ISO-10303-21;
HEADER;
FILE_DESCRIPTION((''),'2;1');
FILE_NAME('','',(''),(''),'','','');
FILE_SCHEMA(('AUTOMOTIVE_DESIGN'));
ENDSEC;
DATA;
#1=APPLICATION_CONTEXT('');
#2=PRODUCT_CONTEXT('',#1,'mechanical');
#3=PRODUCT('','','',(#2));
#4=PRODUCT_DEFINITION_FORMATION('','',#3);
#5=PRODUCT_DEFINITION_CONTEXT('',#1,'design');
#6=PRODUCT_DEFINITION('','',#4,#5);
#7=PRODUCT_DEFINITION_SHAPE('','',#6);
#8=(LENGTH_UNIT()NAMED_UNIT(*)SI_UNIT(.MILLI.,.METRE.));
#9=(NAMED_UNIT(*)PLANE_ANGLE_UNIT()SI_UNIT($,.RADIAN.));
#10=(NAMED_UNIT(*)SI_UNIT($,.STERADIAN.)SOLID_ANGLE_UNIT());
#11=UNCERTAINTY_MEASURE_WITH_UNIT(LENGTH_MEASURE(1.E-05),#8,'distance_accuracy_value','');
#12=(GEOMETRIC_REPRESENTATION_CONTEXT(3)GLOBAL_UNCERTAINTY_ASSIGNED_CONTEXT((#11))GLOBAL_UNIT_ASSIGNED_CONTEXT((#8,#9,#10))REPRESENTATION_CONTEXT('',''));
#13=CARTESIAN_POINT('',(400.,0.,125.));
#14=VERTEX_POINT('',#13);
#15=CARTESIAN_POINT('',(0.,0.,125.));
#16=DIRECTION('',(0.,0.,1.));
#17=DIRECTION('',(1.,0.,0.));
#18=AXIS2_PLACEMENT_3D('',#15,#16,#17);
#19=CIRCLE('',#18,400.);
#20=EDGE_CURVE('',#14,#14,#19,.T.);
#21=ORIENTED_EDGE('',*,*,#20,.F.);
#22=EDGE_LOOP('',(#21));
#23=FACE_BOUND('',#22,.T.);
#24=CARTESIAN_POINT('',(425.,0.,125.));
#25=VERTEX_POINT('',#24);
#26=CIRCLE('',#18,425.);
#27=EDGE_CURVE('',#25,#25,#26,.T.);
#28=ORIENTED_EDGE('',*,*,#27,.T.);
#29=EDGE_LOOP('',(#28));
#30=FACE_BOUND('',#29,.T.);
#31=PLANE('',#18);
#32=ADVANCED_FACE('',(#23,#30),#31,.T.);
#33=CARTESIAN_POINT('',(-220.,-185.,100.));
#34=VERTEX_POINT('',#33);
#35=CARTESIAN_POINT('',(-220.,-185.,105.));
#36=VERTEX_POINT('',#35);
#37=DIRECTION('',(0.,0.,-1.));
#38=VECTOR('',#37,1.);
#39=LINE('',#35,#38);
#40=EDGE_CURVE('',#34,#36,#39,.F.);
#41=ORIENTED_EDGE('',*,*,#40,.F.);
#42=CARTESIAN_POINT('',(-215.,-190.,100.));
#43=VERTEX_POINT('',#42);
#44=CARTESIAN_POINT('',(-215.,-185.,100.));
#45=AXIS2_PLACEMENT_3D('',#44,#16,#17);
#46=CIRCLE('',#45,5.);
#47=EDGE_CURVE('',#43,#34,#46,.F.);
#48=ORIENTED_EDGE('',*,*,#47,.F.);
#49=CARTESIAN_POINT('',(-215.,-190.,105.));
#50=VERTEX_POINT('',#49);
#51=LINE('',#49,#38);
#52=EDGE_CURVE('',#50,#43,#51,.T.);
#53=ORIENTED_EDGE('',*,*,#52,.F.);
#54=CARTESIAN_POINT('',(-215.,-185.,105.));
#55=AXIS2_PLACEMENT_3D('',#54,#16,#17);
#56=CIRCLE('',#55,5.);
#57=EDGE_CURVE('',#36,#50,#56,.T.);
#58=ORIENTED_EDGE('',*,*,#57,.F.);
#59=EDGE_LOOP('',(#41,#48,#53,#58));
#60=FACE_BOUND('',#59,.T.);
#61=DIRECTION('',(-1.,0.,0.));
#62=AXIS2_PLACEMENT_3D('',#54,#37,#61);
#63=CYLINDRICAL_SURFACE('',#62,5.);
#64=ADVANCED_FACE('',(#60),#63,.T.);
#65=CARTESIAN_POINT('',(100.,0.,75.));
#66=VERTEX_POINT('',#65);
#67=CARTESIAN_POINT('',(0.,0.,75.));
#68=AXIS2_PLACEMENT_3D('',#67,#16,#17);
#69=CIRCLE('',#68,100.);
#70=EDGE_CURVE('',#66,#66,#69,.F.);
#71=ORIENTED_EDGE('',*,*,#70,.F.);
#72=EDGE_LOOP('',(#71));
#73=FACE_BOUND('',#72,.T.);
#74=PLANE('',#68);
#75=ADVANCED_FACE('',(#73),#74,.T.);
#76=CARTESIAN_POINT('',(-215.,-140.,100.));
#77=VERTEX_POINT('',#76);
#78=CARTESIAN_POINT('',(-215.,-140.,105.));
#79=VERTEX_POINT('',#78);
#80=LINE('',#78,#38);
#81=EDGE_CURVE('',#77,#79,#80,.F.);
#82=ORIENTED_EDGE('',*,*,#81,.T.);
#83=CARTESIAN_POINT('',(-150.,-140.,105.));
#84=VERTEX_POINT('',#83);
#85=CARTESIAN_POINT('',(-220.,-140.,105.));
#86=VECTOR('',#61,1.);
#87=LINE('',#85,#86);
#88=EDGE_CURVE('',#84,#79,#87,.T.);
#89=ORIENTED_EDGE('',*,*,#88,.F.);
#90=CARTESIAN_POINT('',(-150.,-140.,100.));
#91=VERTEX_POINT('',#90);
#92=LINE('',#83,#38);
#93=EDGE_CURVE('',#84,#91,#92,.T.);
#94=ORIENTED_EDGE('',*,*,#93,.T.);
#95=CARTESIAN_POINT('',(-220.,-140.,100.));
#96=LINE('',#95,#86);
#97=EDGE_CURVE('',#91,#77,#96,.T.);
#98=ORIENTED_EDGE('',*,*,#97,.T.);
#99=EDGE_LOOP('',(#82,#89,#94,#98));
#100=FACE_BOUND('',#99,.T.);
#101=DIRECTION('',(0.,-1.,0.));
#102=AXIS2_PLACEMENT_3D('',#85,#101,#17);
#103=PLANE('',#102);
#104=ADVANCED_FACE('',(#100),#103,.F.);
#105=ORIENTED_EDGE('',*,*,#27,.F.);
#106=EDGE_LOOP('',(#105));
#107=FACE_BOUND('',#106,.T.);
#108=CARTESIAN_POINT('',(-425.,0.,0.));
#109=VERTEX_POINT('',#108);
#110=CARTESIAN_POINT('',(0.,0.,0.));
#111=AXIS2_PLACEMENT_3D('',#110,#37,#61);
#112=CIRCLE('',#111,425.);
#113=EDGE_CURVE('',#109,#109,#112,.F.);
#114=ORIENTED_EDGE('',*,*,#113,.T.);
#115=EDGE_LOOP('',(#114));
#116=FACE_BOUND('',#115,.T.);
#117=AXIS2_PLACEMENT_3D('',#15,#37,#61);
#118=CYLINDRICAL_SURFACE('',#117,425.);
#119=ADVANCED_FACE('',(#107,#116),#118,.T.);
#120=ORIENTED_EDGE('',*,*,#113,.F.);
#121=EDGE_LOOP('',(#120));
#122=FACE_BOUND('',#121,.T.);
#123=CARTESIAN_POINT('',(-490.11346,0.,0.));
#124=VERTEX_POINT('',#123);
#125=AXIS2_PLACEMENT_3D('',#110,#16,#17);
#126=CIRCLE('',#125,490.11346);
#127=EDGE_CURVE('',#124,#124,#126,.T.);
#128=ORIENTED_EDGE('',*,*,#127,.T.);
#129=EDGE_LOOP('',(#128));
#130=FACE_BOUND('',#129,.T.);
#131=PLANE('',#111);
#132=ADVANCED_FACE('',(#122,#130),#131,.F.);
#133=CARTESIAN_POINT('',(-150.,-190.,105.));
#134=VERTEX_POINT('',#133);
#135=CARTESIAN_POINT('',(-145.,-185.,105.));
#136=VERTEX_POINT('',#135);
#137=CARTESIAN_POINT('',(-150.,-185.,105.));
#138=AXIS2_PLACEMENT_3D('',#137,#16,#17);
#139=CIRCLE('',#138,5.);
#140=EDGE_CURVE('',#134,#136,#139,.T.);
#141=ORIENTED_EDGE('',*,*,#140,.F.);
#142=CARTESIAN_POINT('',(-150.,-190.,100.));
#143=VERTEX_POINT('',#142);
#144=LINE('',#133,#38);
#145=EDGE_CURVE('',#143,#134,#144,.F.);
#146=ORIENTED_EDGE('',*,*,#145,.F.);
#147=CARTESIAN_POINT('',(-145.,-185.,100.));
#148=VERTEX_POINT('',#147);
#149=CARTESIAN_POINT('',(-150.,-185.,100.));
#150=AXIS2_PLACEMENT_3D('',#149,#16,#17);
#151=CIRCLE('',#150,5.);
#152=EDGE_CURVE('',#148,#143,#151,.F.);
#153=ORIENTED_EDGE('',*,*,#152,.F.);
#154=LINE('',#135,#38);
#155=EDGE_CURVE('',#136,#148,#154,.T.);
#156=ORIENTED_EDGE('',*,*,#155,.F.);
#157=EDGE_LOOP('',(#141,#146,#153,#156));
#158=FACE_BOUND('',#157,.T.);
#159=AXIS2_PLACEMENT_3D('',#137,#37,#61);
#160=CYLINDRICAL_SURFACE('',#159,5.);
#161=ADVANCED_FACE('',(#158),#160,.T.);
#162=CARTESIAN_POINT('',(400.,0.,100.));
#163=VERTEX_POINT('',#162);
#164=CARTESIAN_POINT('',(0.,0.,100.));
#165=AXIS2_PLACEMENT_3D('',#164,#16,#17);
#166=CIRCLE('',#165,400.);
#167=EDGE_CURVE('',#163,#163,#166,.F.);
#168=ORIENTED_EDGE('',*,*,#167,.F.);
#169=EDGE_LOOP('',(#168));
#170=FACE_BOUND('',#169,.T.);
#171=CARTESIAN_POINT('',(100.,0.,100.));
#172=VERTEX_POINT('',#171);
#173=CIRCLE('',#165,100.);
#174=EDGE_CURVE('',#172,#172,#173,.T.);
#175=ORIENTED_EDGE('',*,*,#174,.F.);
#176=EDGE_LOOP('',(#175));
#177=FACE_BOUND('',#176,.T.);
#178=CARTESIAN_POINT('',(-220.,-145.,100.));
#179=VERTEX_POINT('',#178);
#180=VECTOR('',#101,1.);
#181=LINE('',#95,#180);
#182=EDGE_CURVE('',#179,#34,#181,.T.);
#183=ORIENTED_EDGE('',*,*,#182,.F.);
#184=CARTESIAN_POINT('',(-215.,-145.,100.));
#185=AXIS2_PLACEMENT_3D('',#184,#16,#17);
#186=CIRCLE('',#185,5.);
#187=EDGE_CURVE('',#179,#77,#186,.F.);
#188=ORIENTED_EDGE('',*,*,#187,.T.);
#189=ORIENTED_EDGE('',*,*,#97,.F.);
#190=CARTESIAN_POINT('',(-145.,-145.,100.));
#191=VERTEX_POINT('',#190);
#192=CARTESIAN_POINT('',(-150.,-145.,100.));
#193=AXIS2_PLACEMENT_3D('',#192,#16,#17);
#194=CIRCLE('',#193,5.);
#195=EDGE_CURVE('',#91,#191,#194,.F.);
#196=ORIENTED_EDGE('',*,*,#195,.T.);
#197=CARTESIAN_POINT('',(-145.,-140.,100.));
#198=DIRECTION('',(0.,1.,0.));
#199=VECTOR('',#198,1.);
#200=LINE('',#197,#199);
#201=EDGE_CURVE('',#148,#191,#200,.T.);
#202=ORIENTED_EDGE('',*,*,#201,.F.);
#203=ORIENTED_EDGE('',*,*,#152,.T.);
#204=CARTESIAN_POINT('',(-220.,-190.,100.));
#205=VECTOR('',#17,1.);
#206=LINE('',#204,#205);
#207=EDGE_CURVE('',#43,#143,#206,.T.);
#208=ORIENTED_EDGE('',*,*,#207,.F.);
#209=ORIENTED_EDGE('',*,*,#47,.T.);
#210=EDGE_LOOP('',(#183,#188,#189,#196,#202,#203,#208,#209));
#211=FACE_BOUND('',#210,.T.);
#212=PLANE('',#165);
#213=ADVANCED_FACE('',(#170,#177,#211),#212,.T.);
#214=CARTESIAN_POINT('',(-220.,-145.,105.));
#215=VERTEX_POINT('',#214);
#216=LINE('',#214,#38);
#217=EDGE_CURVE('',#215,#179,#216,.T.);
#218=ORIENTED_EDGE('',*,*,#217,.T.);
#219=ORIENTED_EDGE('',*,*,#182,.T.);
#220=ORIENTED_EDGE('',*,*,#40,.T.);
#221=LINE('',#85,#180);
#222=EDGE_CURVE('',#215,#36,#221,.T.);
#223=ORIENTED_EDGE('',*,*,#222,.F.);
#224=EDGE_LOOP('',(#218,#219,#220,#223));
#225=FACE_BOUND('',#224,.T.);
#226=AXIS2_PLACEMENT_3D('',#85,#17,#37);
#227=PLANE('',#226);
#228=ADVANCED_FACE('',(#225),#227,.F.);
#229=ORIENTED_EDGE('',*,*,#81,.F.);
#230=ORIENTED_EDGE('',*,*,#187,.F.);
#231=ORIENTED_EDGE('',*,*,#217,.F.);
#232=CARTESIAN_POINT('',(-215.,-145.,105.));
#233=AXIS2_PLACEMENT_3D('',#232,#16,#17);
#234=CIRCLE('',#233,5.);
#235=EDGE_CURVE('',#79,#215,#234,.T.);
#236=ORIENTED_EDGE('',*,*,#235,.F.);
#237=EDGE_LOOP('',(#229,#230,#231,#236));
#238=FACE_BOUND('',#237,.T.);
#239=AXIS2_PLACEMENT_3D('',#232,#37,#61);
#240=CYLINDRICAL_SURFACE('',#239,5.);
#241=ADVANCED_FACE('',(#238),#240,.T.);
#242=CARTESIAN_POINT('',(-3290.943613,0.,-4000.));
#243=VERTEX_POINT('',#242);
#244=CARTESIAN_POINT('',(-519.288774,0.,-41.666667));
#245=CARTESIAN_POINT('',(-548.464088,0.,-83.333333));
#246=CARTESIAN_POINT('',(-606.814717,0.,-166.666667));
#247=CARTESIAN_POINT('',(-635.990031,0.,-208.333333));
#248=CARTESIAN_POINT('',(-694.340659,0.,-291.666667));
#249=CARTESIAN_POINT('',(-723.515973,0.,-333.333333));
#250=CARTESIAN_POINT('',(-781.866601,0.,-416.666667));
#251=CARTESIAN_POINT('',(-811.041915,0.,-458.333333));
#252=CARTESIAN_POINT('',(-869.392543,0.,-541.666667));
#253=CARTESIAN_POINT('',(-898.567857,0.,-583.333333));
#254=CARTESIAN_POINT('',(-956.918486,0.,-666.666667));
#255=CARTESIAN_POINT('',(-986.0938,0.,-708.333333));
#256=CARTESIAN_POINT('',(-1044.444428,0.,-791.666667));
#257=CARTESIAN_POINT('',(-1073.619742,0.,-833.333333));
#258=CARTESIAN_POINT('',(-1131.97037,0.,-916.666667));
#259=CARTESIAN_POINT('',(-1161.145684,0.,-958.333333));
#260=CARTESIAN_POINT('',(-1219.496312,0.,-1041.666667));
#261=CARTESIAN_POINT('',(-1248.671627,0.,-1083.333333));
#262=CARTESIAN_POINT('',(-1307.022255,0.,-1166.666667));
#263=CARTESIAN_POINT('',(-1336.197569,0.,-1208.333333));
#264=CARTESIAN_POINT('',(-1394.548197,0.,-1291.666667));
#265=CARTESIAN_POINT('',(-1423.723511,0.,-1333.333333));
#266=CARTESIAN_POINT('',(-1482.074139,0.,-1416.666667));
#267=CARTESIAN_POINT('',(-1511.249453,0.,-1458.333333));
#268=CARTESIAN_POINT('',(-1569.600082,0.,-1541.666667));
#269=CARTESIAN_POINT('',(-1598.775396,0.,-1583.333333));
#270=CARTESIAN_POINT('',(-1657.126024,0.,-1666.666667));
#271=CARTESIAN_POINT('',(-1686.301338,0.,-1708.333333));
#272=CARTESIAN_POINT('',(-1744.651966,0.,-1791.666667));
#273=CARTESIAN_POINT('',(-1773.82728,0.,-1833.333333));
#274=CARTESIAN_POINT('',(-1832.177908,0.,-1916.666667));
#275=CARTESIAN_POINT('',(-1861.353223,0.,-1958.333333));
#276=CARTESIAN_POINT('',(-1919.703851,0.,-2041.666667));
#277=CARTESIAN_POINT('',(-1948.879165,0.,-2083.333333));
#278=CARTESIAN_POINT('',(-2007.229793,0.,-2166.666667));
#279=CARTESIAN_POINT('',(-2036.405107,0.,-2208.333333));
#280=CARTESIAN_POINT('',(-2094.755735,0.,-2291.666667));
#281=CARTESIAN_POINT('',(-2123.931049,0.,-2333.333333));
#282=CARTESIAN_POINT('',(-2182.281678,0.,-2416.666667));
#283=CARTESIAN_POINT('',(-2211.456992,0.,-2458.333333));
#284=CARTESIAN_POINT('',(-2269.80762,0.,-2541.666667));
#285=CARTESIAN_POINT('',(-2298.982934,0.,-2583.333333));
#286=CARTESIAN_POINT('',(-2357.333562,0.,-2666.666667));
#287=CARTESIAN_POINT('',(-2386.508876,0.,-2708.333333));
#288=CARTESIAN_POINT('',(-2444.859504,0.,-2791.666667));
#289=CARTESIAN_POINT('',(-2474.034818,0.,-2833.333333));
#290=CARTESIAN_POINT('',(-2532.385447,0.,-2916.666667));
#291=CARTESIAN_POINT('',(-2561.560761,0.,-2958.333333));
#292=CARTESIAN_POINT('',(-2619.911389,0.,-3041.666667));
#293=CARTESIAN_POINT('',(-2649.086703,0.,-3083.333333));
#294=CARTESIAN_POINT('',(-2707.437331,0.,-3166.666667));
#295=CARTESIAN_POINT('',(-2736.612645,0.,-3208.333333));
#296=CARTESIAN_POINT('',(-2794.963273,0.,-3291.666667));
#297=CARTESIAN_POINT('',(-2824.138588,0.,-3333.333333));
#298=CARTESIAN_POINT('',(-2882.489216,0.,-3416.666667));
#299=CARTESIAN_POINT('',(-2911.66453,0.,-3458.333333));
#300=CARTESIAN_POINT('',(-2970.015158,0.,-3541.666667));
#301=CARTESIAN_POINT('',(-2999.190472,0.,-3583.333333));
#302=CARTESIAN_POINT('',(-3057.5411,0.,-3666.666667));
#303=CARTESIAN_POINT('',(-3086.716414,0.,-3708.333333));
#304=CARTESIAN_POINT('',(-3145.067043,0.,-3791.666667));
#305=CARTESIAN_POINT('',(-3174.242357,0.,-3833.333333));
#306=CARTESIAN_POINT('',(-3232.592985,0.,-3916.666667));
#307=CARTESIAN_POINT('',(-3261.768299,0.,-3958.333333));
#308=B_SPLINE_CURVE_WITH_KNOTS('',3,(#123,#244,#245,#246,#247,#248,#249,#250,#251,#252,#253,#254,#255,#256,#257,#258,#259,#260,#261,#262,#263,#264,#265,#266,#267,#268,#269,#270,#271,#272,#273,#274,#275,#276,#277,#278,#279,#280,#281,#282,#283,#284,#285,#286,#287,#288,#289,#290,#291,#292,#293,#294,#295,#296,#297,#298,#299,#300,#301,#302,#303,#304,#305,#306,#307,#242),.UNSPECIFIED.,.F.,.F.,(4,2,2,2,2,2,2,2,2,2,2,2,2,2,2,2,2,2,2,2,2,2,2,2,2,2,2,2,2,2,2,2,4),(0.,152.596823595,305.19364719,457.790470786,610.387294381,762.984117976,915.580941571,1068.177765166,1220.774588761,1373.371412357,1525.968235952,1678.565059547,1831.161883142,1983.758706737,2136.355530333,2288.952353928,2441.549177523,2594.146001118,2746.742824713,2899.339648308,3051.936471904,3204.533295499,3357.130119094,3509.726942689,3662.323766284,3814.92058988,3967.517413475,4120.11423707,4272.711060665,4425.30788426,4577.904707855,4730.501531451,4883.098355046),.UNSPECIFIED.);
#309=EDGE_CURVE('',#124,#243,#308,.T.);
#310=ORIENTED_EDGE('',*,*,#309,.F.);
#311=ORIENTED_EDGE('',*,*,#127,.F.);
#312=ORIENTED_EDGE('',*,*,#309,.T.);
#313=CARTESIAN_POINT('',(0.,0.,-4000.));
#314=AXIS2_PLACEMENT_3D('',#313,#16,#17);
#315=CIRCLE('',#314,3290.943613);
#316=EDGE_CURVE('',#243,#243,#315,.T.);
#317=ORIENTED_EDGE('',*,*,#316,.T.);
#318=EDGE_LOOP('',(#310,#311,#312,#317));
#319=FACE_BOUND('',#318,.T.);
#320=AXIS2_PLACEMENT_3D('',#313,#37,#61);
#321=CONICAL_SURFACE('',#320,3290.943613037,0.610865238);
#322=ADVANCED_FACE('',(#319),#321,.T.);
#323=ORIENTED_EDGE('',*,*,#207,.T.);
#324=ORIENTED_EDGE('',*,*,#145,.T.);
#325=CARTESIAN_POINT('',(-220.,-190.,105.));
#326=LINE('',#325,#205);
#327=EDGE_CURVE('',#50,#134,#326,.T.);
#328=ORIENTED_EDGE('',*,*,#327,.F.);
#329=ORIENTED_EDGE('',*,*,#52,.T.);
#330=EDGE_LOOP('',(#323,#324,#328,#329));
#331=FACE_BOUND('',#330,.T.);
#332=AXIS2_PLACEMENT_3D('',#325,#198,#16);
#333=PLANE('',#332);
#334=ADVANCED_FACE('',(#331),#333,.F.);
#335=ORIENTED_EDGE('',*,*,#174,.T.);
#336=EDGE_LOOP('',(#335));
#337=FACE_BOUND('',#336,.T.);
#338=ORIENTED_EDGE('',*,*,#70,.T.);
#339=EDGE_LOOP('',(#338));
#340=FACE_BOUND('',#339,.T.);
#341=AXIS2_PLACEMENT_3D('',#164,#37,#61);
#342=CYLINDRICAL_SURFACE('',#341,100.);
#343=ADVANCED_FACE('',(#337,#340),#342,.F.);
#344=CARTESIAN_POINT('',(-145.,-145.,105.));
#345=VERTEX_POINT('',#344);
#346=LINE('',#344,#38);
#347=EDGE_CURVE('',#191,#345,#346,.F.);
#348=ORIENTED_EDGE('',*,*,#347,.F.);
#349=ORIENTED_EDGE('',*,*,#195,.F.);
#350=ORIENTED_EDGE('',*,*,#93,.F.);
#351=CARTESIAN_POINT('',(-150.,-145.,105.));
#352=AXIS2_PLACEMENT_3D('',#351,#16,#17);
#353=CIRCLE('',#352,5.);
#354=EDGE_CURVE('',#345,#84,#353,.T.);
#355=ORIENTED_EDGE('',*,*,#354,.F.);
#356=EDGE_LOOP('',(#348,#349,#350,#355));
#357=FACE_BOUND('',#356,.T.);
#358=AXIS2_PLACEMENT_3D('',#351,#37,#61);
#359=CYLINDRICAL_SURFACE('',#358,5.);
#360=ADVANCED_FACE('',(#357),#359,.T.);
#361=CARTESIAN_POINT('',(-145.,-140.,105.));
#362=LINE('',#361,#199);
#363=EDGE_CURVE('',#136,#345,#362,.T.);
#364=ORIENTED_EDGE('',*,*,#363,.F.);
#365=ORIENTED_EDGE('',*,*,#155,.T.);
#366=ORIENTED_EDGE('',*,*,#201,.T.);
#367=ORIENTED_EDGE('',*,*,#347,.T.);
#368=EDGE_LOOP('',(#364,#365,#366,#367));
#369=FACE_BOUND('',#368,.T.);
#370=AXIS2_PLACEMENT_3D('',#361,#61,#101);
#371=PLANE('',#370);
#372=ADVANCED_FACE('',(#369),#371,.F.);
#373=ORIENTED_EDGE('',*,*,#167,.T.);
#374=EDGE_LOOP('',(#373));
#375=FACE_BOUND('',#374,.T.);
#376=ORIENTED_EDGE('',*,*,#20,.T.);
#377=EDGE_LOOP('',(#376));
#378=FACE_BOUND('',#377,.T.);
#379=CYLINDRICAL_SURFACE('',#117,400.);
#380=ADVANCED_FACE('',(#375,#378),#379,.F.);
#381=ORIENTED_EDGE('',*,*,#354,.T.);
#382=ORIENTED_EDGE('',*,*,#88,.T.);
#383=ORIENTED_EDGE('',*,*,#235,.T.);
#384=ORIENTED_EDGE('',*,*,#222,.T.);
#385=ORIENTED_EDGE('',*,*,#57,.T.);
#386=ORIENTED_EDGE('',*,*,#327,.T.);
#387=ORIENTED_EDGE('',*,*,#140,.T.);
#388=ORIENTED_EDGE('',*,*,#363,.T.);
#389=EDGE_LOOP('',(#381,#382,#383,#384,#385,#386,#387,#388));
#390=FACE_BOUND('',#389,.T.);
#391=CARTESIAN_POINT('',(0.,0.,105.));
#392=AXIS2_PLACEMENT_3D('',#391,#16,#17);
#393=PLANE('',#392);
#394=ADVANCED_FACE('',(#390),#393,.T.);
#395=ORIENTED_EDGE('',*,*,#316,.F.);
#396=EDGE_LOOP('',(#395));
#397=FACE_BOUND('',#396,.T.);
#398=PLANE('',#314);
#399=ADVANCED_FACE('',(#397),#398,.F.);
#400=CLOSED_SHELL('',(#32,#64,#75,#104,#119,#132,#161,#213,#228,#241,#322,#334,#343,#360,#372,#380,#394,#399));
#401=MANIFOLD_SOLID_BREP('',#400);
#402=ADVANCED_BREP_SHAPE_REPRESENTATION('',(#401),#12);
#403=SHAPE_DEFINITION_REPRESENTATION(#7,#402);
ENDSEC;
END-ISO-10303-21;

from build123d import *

# Parameters (mm, degrees)
CROQUIS1_R              = 400
CROQUIS1_R_2            = 100
SALIENTE_EXTRUIR1_DEPTH = 100
CROQUIS2_R              = 425
CROQUIS2_R_2            = 400
SALIENTE_EXTRUIR2_DEPTH = 125
CROQUIS3_R              = 100
SALIENTE_EXTRUIR3_DEPTH = 75
CROQUIS5_W              = 75
CROQUIS5_H              = 50
SALIENTE_EXTRUIR4_DEPTH = 5
REDONDEO1_R             = 5


with BuildPart() as part:
    # Croquis1 → Saliente-Extruir1 (new body)
    with BuildSketch(Plane.XY):
        Circle(CROQUIS1_R)
        Circle(CROQUIS1_R_2, mode=Mode.SUBTRACT)
    extrude(amount=SALIENTE_EXTRUIR1_DEPTH)



with BuildPart() as body_2:
    # Croquis2 → Saliente-Extruir2 (new body)
    with BuildSketch(Plane.XY):
        Circle(CROQUIS2_R)
        Circle(CROQUIS2_R_2, mode=Mode.SUBTRACT)
    extrude(amount=SALIENTE_EXTRUIR2_DEPTH)


with BuildPart() as body_3:
    # Croquis3 → Saliente-Extruir3 (new body)
    with BuildSketch(Plane.XY):
        Circle(CROQUIS3_R)
    extrude(amount=SALIENTE_EXTRUIR3_DEPTH)


with BuildPart() as part_1:
    add(part.part)

    add(body_2.part)  # Saliente-Extruir4 merges body 2
    # Croquis5 → Saliente-Extruir4 (add)
    with BuildSketch(Plane.XY.offset(100)):
        with Locations((-182.5, -165)):
            Rectangle(CROQUIS5_W, CROQUIS5_H)
    extrude(amount=SALIENTE_EXTRUIR4_DEPTH)

    # Redondeo1
    redondeo1_edges = [part_1.edges().sort_by_distance(p)[0] for p in [
        (-220, -140, 102.5),
        (-220, -190, 102.5),
        (-145, -190, 102.5),
        (-145, -140, 102.5),
    ]]
    fillet(redondeo1_edges, radius=REDONDEO1_R)


    add(body_3.part)  # Revolución2 merges body 3
    # Croquis6 → Revolución2 (revolve)
    with BuildSketch(Plane(origin=(0, 0, 0), x_dir=(1, 0, 0), z_dir=(0, 1, 0))):
        Polygon((-490.113460198, 0), (-3290.943613037, 4000), (0, 4000), (0, 0), align=None)
    revolve(axis=Axis((0, 0, 0), (0, 0, -1)))


solid = part_1.part
